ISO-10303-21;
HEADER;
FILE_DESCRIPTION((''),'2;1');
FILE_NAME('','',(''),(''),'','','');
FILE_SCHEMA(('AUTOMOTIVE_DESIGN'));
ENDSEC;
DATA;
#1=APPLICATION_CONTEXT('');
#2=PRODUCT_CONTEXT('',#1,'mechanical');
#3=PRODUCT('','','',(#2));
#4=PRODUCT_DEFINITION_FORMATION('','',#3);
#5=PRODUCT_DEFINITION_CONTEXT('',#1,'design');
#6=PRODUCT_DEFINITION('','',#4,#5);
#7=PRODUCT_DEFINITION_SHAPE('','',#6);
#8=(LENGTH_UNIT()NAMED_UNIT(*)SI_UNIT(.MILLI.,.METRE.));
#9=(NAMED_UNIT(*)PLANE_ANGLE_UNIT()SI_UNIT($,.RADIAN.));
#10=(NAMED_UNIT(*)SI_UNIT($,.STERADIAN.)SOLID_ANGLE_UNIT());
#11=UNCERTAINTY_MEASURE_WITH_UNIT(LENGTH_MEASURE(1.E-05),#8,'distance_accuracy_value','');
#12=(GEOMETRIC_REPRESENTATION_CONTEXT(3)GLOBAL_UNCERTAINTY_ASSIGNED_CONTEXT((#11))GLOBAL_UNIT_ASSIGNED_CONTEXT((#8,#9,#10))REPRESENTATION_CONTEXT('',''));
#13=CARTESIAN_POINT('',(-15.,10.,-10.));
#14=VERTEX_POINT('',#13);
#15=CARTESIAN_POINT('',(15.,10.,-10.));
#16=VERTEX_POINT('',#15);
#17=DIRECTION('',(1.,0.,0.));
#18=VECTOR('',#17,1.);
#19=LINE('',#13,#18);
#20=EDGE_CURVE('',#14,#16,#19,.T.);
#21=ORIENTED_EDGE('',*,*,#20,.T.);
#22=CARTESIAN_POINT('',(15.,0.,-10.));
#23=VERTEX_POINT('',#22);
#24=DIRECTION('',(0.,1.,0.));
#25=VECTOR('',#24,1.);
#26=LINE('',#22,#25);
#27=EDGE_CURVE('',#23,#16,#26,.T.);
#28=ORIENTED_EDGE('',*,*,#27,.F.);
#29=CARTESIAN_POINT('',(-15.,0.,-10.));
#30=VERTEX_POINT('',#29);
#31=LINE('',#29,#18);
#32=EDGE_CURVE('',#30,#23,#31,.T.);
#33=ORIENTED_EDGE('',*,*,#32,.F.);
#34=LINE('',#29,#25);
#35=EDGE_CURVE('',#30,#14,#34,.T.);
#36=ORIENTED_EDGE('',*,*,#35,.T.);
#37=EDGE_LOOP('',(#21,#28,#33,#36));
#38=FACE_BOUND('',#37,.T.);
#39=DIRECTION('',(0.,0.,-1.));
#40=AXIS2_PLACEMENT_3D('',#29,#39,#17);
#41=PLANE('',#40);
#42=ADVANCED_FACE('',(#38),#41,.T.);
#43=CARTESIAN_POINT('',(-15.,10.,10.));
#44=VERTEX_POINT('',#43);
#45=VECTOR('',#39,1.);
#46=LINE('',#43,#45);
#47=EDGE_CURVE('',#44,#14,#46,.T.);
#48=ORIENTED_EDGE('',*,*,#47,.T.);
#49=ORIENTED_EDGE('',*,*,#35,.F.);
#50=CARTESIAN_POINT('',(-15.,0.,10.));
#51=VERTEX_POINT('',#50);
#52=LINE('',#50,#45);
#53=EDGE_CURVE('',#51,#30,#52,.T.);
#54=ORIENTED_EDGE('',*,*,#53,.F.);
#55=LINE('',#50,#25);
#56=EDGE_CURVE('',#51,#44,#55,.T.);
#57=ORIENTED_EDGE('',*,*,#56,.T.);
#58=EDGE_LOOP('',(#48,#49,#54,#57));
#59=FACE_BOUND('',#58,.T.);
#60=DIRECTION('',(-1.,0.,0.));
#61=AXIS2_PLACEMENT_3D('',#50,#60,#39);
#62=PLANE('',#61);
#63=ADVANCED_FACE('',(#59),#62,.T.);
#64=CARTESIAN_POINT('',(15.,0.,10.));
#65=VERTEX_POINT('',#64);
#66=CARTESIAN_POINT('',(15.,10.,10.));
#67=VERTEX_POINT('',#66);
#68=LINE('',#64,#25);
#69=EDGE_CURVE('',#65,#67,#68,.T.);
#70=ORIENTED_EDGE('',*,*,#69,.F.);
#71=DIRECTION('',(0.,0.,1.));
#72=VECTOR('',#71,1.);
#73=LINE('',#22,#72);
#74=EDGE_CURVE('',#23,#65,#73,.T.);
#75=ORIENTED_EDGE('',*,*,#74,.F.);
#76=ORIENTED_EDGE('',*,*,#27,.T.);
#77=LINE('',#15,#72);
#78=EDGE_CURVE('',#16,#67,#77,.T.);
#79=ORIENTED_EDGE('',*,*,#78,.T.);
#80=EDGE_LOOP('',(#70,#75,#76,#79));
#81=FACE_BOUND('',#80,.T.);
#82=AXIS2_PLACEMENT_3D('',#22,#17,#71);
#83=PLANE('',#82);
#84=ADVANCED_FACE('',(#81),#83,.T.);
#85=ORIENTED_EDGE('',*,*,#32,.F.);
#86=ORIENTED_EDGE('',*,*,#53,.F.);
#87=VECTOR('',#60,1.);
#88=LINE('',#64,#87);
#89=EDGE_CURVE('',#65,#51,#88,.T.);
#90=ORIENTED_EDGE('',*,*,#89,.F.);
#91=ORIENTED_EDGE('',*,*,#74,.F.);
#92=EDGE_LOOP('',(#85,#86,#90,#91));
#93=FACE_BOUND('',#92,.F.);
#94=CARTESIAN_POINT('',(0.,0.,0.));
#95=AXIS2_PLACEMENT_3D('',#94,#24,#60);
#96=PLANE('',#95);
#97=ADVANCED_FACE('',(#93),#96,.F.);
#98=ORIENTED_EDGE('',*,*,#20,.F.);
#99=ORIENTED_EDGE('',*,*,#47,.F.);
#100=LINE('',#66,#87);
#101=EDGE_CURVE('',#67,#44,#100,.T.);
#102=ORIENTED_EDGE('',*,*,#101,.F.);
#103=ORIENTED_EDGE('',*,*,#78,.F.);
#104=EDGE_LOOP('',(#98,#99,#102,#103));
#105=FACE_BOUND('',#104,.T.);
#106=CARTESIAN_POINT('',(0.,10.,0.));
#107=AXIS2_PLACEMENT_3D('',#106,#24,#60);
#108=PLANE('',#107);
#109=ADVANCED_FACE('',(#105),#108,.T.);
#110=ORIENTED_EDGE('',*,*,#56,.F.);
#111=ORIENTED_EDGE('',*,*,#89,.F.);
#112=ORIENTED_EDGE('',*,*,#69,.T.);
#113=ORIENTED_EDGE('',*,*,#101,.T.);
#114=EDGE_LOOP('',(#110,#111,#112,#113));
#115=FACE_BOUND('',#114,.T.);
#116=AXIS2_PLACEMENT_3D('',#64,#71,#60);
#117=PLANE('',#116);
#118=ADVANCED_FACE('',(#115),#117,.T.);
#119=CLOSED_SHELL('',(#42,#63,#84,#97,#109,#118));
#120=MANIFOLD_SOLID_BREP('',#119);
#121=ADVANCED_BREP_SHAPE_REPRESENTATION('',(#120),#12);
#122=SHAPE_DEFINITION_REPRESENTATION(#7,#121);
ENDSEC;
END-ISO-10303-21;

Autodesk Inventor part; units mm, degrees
ref_plane "YZ Plane" through (0, 0, 0) normal (1, 0, 0) x (0, 1, 0)
ref_plane "XZ Plane" through (0, 0, 0) normal (0, 1, 0) x (-1, 0, 0)
ref_plane "XY Plane" through (0, 0, 0) normal (0, 0, 1) x (1, 0, 0)
sketch "草圖1" plane through (0, 0, 0) normal (0, 1, 0) x (-1, 0, 0)
  line L0 (-15, 10) -> (15, 10)
  line L1 (15, 10) -> (15, -10)
  line L2 (15, -10) -> (-15, -10)
  line L3 (-15, -10) -> (-15, 10)
  line L4 (-15, 10) -> (15, -10) construction
  line L5 (15, 10) -> (-15, -10) construction
  point P0 (0, 0)
  dimension "d0" = 30
  dimension "d1" = 20
extrude "擠出1" add sketch "草圖1" along normal blind 10
properties part number "rc reciever"
